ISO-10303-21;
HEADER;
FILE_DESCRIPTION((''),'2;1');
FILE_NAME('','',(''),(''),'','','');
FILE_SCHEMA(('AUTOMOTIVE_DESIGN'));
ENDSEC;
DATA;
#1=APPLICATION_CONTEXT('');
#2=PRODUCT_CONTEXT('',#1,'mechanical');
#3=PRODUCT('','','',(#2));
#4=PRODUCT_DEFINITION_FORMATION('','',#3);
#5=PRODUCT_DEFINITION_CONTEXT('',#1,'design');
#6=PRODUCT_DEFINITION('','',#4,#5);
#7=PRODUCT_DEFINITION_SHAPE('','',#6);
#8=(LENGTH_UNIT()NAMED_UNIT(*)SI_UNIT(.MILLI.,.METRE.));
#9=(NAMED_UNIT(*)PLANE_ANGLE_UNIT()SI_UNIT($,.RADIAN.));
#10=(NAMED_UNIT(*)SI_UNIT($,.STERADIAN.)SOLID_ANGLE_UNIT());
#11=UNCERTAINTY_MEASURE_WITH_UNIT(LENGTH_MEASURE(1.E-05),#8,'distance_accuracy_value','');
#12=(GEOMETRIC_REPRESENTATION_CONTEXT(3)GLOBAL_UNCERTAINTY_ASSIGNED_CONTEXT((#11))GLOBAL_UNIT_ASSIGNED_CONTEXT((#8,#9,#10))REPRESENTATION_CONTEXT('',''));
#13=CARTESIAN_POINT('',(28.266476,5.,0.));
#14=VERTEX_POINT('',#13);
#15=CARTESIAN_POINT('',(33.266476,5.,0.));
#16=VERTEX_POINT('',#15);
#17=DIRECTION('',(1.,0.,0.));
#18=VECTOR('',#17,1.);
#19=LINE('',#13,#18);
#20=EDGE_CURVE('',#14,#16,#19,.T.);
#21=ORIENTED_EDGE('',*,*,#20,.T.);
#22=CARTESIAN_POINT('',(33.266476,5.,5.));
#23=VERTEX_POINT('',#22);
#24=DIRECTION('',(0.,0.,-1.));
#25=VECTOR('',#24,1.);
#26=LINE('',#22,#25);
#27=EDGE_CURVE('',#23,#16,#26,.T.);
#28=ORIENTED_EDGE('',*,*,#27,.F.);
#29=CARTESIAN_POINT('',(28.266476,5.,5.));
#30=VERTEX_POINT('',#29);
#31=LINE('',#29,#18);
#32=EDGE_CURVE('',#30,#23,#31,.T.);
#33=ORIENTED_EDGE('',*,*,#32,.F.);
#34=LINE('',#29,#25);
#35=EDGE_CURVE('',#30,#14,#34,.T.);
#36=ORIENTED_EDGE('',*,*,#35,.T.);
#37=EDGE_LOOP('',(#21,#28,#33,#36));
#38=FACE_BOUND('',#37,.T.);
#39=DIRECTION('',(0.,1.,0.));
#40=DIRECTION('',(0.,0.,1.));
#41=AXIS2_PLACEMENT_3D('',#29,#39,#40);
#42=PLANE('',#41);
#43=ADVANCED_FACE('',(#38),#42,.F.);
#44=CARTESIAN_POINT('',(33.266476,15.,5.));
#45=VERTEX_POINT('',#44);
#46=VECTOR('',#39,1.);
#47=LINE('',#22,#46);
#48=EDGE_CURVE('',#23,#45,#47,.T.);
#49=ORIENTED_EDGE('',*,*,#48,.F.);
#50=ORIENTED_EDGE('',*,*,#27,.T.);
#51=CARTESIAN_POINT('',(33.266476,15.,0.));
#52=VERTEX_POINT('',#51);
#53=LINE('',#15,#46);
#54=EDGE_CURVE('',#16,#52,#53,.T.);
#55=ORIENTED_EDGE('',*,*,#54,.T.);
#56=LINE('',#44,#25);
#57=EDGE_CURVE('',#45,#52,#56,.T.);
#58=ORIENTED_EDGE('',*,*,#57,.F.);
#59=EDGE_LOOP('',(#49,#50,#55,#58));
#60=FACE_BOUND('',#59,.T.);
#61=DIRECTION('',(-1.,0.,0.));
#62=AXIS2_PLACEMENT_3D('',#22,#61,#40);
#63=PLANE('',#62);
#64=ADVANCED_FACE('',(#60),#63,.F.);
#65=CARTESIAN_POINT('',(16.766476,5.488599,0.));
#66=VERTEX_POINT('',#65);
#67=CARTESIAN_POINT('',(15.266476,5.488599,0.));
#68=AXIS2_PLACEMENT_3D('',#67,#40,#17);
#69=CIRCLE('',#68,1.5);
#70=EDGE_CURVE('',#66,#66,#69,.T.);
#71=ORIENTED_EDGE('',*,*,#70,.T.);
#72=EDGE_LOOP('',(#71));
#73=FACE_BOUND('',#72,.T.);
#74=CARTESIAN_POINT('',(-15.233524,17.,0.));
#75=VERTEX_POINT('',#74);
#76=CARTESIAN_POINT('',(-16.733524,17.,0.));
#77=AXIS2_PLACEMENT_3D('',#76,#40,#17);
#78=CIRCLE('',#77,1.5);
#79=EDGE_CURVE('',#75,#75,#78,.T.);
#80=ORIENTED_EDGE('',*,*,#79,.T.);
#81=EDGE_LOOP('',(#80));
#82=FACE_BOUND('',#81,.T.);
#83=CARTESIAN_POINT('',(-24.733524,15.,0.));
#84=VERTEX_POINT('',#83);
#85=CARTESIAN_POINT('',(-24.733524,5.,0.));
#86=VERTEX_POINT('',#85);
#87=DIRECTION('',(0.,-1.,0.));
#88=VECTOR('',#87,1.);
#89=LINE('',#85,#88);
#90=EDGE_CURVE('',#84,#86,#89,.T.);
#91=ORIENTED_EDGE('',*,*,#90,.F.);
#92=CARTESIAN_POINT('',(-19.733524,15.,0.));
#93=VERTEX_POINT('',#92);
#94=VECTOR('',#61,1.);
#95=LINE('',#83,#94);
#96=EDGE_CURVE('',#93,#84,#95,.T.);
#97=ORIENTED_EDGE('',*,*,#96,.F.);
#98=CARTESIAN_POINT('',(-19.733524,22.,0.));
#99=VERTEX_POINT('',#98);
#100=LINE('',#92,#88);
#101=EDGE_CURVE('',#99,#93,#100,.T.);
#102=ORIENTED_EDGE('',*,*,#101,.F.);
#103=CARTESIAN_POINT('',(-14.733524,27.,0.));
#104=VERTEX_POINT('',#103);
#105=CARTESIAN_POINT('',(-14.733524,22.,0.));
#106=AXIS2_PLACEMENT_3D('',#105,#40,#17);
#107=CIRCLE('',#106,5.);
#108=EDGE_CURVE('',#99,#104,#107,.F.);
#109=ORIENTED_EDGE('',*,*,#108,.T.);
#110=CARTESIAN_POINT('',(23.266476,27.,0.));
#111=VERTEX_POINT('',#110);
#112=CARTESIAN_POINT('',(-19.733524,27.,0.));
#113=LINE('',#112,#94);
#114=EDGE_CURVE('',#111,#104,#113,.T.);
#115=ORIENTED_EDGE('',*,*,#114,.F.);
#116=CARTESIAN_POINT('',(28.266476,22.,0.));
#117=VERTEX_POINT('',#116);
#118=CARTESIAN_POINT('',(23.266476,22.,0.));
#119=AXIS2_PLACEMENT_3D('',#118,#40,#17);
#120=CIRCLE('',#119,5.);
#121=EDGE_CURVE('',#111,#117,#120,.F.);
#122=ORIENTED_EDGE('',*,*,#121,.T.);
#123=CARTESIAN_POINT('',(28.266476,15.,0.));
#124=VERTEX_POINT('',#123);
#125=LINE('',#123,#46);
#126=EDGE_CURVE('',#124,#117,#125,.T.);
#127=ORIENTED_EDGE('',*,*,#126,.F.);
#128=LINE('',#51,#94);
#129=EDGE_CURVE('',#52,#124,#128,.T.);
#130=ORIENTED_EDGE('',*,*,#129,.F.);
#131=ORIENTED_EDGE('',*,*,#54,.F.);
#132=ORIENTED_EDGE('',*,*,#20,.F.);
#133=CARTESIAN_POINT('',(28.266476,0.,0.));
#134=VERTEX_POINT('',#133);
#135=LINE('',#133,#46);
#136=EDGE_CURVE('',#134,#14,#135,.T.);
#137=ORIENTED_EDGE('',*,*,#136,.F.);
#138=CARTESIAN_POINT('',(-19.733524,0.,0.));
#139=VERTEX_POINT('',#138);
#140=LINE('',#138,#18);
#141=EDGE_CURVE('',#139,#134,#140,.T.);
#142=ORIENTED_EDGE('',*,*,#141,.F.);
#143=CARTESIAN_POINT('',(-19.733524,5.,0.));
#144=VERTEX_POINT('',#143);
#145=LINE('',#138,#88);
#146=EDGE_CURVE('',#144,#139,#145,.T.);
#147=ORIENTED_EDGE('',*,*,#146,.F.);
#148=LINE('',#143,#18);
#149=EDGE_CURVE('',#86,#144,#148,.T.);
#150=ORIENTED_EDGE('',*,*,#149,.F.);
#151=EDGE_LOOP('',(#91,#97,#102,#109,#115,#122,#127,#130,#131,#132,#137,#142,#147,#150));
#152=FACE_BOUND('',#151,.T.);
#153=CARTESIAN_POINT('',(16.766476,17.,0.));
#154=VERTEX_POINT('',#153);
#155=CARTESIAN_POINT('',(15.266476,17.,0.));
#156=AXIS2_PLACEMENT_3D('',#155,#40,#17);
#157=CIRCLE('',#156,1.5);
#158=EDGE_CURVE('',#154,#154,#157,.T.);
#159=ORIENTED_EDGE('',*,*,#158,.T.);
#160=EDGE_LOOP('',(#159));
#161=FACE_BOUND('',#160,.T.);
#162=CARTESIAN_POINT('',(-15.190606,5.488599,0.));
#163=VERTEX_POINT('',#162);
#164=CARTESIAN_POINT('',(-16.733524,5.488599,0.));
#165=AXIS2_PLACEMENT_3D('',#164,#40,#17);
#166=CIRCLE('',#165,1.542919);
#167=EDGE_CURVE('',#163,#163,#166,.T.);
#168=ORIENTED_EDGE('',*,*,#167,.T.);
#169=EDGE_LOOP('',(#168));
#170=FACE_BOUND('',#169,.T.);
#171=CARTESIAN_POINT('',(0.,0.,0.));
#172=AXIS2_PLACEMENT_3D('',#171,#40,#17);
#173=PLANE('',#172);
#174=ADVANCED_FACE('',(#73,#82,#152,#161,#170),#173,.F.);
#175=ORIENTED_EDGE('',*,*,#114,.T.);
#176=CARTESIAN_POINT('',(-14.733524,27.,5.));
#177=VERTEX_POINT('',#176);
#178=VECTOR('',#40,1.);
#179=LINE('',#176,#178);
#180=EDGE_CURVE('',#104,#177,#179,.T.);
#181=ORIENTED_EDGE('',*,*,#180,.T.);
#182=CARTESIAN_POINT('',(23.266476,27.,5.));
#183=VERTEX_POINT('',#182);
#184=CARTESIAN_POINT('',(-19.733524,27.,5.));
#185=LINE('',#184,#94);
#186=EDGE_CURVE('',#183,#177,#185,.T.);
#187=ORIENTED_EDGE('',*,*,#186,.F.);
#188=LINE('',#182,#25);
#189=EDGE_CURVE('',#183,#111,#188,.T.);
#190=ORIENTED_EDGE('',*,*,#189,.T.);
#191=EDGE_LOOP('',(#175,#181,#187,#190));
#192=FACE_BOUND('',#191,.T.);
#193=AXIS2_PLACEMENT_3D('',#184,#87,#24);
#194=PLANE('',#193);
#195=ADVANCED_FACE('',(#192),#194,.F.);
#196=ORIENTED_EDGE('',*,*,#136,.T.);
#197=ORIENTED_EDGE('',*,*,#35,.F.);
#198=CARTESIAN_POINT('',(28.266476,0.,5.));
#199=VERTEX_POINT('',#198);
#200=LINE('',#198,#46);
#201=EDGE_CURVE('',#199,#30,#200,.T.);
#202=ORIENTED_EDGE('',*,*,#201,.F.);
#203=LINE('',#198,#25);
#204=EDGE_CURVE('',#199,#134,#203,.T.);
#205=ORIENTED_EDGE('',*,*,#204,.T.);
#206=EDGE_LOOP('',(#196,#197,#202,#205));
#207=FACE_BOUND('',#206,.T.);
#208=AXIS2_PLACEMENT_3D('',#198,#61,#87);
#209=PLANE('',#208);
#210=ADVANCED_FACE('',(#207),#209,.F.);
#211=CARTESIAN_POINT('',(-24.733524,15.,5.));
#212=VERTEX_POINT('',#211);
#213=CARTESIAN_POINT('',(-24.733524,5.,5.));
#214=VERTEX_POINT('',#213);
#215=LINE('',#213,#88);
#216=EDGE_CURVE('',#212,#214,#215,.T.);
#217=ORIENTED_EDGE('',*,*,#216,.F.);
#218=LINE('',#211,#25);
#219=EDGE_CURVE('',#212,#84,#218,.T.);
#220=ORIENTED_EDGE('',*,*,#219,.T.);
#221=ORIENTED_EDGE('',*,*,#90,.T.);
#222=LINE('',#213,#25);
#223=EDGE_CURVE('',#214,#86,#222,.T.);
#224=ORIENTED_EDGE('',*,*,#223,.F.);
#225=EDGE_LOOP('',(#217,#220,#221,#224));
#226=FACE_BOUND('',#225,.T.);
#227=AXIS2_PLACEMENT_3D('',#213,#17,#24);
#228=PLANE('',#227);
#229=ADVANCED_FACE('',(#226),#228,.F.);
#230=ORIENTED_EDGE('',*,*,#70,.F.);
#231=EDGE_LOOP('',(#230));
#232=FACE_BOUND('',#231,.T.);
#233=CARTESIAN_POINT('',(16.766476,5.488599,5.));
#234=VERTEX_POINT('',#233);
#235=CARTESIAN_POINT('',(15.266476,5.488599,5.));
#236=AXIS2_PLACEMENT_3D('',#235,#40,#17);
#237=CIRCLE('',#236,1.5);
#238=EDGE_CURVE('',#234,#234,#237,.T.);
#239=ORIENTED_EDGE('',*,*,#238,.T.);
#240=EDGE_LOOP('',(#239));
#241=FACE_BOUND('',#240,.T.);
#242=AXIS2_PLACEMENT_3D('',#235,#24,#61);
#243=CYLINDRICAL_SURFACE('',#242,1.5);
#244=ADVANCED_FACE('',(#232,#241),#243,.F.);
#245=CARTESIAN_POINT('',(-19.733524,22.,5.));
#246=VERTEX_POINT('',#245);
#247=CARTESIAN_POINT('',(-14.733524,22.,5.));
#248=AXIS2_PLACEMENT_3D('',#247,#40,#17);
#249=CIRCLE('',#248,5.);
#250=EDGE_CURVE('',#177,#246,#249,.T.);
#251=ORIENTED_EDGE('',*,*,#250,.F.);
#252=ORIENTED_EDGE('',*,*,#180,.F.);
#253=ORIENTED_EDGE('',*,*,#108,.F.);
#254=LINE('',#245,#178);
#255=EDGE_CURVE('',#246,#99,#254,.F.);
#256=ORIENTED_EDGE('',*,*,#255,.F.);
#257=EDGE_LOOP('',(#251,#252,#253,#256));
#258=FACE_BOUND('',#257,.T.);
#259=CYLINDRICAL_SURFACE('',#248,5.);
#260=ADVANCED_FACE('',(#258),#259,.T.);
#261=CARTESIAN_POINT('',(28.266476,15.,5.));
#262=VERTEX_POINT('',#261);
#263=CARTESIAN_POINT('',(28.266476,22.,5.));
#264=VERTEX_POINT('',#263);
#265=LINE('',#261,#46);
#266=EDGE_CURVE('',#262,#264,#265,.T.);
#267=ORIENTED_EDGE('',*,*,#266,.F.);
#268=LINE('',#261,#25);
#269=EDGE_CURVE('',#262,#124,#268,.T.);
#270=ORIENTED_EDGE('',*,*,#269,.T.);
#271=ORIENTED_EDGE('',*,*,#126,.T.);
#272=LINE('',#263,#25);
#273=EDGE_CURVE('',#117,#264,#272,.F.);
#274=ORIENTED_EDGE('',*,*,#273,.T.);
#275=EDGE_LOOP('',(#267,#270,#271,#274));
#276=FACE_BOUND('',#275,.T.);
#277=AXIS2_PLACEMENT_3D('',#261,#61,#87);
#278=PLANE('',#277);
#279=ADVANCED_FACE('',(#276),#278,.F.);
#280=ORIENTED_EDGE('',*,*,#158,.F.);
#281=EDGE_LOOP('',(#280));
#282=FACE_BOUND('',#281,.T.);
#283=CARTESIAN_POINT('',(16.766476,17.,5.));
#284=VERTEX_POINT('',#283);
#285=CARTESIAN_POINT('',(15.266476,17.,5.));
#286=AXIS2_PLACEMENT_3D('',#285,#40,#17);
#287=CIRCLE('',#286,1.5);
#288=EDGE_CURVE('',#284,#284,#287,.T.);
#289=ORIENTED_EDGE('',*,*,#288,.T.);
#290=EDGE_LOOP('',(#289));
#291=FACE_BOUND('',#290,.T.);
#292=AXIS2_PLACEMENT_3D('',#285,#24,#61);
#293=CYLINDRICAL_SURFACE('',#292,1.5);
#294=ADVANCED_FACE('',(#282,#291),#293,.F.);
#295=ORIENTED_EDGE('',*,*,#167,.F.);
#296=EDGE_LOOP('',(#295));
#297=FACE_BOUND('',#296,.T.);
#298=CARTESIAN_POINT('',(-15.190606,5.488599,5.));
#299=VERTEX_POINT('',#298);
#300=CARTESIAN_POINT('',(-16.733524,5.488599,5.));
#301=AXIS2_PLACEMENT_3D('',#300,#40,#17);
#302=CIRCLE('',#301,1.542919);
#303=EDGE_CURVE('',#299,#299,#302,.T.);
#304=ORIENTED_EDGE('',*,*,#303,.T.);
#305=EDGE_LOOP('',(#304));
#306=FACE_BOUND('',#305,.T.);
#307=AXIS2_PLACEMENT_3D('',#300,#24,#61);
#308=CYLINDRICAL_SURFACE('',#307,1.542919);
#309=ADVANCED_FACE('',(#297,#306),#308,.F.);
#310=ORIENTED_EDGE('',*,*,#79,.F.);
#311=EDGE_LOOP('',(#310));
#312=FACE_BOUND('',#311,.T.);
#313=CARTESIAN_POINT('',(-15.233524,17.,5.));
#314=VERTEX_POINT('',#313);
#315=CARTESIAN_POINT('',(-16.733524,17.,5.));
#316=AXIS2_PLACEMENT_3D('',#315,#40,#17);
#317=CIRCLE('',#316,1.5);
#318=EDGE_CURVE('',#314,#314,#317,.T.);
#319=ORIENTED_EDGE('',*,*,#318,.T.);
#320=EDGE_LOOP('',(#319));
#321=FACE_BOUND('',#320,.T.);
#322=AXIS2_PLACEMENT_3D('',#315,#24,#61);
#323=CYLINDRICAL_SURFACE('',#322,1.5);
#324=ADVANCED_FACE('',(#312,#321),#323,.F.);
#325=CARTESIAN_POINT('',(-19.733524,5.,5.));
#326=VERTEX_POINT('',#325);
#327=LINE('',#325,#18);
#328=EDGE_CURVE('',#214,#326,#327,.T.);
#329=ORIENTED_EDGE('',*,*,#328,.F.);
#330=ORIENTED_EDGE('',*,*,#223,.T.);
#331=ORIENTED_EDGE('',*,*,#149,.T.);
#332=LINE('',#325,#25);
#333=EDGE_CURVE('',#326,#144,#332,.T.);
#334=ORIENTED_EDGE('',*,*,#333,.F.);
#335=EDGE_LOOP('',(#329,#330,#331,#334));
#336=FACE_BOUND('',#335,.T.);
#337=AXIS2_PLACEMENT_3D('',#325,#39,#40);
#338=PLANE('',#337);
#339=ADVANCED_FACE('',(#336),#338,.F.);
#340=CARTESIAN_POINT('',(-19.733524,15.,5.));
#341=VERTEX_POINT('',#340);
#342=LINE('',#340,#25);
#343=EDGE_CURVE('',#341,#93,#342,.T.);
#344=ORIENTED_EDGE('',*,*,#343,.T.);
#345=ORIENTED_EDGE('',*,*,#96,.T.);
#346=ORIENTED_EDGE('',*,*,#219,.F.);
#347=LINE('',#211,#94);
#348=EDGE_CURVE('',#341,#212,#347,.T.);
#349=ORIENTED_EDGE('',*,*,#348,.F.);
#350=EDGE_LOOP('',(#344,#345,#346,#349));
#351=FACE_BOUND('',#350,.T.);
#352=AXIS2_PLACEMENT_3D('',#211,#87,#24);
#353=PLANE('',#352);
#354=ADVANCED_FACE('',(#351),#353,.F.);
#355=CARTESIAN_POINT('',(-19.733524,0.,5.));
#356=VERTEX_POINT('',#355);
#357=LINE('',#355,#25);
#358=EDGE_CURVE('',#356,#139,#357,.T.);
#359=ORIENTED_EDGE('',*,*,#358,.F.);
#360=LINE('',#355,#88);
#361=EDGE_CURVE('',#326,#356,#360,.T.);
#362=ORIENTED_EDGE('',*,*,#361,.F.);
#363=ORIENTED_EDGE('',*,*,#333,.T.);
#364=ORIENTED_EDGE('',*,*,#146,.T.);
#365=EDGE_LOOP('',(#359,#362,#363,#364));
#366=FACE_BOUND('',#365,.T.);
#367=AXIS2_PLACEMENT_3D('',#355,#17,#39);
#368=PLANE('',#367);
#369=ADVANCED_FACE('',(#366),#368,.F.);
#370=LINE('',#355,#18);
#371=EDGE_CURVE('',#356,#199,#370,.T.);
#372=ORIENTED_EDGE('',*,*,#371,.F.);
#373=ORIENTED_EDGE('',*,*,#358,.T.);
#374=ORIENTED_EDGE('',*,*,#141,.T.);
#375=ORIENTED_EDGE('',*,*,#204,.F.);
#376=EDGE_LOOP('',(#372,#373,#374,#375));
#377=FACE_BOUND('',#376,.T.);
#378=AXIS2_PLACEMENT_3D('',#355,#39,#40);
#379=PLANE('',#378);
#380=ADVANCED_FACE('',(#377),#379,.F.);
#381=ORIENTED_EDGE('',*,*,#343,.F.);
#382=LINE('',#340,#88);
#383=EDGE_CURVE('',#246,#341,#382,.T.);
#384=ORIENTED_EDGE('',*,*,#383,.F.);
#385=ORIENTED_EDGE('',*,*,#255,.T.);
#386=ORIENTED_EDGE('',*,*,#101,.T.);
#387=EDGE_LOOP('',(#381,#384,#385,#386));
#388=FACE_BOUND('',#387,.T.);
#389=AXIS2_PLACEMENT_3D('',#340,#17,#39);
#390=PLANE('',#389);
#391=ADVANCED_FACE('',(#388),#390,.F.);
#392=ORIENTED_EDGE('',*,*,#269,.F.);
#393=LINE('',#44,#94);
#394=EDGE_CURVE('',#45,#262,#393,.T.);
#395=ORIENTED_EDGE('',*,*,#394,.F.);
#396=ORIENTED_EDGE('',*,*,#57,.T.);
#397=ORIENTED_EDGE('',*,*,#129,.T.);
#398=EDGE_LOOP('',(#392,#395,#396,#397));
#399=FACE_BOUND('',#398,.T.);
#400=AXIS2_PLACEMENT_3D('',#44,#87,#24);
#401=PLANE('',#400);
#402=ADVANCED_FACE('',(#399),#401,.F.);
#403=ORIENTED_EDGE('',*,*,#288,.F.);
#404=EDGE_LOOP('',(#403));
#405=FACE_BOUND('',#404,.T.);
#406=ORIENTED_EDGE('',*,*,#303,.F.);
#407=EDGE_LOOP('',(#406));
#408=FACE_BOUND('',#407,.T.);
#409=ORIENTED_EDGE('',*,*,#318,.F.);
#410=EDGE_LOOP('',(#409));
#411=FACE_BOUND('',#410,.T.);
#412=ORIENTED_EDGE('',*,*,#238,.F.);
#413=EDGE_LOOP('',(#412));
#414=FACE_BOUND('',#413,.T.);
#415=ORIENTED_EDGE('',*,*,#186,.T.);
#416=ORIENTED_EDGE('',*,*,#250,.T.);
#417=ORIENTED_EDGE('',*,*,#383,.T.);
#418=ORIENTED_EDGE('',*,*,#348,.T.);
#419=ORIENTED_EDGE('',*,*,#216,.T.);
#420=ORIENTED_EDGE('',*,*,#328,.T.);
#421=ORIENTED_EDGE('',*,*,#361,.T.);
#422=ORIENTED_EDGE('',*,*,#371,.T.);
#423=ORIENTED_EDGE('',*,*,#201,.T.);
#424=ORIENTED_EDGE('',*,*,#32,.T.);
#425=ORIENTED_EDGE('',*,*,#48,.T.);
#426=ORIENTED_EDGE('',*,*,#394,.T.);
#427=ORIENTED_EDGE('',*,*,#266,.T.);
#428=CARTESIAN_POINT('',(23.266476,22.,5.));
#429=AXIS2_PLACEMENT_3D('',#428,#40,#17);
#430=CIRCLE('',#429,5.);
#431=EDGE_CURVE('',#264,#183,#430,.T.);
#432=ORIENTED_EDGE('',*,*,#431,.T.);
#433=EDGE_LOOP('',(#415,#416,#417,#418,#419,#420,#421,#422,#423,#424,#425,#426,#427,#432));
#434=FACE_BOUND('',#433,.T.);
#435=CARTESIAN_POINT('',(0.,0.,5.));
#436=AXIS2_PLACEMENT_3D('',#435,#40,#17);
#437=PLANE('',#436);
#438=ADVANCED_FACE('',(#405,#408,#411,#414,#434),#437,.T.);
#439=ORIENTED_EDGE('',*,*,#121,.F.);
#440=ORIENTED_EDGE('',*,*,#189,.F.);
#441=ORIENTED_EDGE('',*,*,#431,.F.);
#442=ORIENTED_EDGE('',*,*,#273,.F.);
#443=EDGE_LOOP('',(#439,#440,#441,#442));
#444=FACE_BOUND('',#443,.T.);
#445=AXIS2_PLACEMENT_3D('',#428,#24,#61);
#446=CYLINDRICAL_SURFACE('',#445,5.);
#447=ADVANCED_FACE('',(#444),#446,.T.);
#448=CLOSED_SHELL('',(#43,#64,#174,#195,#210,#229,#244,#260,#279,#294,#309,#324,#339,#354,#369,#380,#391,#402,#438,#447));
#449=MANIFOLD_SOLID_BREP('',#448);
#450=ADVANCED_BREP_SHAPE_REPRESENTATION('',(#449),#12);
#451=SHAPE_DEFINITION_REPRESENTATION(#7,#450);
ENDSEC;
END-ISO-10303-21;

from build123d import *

# Parameters (mm, degrees)
SKETCH1_R           = 1.5
SKETCH1_R_2         = 1.542918724
SKETCH1_R_3         = 1.500000001
BOSS_EXTRUDE1_DEPTH = 5
FILLET1_R           = 5
FILLET2_R           = 5


with BuildPart() as part:
    # Sketch1 → Boss-Extrude1 (new body)
    with BuildSketch(Plane.XY):
        Polygon((-19.733524355, 0), (28.266475645, 0), (28.266475645, 5), (33.266475645, 5), (33.266475645, 15), (28.266475645, 15), (28.266475645, 27), (-19.733524355, 27), (-19.733524355, 15), (-24.733524355, 15), (-24.733524355, 5), (-19.733524355, 5), align=None)
        with Locations((-16.733524355, 17)):
            Circle(SKETCH1_R, mode=Mode.SUBTRACT)
        with Locations((-16.733524356, 5.488599349)):
            Circle(SKETCH1_R_2, mode=Mode.SUBTRACT)
        with Locations((15.266475644, 17)):
            Circle(SKETCH1_R_3, mode=Mode.SUBTRACT)
        with Locations((15.266475644, 5.488599348)):
            Circle(SKETCH1_R_3, mode=Mode.SUBTRACT)
    extrude(amount=BOSS_EXTRUDE1_DEPTH)

    # Fillet1
    fillet1_edges = [part.edges().sort_by_distance(p)[0] for p in [
        (-19.733524355, 27, 2.5),
    ]]
    fillet(fillet1_edges, radius=FILLET1_R)

    # Fillet2
    fillet2_edges = [part.edges().sort_by_distance(p)[0] for p in [
        (28.266475645, 27, 2.5),
    ]]
    fillet(fillet2_edges, radius=FILLET2_R)


solid = part.part
